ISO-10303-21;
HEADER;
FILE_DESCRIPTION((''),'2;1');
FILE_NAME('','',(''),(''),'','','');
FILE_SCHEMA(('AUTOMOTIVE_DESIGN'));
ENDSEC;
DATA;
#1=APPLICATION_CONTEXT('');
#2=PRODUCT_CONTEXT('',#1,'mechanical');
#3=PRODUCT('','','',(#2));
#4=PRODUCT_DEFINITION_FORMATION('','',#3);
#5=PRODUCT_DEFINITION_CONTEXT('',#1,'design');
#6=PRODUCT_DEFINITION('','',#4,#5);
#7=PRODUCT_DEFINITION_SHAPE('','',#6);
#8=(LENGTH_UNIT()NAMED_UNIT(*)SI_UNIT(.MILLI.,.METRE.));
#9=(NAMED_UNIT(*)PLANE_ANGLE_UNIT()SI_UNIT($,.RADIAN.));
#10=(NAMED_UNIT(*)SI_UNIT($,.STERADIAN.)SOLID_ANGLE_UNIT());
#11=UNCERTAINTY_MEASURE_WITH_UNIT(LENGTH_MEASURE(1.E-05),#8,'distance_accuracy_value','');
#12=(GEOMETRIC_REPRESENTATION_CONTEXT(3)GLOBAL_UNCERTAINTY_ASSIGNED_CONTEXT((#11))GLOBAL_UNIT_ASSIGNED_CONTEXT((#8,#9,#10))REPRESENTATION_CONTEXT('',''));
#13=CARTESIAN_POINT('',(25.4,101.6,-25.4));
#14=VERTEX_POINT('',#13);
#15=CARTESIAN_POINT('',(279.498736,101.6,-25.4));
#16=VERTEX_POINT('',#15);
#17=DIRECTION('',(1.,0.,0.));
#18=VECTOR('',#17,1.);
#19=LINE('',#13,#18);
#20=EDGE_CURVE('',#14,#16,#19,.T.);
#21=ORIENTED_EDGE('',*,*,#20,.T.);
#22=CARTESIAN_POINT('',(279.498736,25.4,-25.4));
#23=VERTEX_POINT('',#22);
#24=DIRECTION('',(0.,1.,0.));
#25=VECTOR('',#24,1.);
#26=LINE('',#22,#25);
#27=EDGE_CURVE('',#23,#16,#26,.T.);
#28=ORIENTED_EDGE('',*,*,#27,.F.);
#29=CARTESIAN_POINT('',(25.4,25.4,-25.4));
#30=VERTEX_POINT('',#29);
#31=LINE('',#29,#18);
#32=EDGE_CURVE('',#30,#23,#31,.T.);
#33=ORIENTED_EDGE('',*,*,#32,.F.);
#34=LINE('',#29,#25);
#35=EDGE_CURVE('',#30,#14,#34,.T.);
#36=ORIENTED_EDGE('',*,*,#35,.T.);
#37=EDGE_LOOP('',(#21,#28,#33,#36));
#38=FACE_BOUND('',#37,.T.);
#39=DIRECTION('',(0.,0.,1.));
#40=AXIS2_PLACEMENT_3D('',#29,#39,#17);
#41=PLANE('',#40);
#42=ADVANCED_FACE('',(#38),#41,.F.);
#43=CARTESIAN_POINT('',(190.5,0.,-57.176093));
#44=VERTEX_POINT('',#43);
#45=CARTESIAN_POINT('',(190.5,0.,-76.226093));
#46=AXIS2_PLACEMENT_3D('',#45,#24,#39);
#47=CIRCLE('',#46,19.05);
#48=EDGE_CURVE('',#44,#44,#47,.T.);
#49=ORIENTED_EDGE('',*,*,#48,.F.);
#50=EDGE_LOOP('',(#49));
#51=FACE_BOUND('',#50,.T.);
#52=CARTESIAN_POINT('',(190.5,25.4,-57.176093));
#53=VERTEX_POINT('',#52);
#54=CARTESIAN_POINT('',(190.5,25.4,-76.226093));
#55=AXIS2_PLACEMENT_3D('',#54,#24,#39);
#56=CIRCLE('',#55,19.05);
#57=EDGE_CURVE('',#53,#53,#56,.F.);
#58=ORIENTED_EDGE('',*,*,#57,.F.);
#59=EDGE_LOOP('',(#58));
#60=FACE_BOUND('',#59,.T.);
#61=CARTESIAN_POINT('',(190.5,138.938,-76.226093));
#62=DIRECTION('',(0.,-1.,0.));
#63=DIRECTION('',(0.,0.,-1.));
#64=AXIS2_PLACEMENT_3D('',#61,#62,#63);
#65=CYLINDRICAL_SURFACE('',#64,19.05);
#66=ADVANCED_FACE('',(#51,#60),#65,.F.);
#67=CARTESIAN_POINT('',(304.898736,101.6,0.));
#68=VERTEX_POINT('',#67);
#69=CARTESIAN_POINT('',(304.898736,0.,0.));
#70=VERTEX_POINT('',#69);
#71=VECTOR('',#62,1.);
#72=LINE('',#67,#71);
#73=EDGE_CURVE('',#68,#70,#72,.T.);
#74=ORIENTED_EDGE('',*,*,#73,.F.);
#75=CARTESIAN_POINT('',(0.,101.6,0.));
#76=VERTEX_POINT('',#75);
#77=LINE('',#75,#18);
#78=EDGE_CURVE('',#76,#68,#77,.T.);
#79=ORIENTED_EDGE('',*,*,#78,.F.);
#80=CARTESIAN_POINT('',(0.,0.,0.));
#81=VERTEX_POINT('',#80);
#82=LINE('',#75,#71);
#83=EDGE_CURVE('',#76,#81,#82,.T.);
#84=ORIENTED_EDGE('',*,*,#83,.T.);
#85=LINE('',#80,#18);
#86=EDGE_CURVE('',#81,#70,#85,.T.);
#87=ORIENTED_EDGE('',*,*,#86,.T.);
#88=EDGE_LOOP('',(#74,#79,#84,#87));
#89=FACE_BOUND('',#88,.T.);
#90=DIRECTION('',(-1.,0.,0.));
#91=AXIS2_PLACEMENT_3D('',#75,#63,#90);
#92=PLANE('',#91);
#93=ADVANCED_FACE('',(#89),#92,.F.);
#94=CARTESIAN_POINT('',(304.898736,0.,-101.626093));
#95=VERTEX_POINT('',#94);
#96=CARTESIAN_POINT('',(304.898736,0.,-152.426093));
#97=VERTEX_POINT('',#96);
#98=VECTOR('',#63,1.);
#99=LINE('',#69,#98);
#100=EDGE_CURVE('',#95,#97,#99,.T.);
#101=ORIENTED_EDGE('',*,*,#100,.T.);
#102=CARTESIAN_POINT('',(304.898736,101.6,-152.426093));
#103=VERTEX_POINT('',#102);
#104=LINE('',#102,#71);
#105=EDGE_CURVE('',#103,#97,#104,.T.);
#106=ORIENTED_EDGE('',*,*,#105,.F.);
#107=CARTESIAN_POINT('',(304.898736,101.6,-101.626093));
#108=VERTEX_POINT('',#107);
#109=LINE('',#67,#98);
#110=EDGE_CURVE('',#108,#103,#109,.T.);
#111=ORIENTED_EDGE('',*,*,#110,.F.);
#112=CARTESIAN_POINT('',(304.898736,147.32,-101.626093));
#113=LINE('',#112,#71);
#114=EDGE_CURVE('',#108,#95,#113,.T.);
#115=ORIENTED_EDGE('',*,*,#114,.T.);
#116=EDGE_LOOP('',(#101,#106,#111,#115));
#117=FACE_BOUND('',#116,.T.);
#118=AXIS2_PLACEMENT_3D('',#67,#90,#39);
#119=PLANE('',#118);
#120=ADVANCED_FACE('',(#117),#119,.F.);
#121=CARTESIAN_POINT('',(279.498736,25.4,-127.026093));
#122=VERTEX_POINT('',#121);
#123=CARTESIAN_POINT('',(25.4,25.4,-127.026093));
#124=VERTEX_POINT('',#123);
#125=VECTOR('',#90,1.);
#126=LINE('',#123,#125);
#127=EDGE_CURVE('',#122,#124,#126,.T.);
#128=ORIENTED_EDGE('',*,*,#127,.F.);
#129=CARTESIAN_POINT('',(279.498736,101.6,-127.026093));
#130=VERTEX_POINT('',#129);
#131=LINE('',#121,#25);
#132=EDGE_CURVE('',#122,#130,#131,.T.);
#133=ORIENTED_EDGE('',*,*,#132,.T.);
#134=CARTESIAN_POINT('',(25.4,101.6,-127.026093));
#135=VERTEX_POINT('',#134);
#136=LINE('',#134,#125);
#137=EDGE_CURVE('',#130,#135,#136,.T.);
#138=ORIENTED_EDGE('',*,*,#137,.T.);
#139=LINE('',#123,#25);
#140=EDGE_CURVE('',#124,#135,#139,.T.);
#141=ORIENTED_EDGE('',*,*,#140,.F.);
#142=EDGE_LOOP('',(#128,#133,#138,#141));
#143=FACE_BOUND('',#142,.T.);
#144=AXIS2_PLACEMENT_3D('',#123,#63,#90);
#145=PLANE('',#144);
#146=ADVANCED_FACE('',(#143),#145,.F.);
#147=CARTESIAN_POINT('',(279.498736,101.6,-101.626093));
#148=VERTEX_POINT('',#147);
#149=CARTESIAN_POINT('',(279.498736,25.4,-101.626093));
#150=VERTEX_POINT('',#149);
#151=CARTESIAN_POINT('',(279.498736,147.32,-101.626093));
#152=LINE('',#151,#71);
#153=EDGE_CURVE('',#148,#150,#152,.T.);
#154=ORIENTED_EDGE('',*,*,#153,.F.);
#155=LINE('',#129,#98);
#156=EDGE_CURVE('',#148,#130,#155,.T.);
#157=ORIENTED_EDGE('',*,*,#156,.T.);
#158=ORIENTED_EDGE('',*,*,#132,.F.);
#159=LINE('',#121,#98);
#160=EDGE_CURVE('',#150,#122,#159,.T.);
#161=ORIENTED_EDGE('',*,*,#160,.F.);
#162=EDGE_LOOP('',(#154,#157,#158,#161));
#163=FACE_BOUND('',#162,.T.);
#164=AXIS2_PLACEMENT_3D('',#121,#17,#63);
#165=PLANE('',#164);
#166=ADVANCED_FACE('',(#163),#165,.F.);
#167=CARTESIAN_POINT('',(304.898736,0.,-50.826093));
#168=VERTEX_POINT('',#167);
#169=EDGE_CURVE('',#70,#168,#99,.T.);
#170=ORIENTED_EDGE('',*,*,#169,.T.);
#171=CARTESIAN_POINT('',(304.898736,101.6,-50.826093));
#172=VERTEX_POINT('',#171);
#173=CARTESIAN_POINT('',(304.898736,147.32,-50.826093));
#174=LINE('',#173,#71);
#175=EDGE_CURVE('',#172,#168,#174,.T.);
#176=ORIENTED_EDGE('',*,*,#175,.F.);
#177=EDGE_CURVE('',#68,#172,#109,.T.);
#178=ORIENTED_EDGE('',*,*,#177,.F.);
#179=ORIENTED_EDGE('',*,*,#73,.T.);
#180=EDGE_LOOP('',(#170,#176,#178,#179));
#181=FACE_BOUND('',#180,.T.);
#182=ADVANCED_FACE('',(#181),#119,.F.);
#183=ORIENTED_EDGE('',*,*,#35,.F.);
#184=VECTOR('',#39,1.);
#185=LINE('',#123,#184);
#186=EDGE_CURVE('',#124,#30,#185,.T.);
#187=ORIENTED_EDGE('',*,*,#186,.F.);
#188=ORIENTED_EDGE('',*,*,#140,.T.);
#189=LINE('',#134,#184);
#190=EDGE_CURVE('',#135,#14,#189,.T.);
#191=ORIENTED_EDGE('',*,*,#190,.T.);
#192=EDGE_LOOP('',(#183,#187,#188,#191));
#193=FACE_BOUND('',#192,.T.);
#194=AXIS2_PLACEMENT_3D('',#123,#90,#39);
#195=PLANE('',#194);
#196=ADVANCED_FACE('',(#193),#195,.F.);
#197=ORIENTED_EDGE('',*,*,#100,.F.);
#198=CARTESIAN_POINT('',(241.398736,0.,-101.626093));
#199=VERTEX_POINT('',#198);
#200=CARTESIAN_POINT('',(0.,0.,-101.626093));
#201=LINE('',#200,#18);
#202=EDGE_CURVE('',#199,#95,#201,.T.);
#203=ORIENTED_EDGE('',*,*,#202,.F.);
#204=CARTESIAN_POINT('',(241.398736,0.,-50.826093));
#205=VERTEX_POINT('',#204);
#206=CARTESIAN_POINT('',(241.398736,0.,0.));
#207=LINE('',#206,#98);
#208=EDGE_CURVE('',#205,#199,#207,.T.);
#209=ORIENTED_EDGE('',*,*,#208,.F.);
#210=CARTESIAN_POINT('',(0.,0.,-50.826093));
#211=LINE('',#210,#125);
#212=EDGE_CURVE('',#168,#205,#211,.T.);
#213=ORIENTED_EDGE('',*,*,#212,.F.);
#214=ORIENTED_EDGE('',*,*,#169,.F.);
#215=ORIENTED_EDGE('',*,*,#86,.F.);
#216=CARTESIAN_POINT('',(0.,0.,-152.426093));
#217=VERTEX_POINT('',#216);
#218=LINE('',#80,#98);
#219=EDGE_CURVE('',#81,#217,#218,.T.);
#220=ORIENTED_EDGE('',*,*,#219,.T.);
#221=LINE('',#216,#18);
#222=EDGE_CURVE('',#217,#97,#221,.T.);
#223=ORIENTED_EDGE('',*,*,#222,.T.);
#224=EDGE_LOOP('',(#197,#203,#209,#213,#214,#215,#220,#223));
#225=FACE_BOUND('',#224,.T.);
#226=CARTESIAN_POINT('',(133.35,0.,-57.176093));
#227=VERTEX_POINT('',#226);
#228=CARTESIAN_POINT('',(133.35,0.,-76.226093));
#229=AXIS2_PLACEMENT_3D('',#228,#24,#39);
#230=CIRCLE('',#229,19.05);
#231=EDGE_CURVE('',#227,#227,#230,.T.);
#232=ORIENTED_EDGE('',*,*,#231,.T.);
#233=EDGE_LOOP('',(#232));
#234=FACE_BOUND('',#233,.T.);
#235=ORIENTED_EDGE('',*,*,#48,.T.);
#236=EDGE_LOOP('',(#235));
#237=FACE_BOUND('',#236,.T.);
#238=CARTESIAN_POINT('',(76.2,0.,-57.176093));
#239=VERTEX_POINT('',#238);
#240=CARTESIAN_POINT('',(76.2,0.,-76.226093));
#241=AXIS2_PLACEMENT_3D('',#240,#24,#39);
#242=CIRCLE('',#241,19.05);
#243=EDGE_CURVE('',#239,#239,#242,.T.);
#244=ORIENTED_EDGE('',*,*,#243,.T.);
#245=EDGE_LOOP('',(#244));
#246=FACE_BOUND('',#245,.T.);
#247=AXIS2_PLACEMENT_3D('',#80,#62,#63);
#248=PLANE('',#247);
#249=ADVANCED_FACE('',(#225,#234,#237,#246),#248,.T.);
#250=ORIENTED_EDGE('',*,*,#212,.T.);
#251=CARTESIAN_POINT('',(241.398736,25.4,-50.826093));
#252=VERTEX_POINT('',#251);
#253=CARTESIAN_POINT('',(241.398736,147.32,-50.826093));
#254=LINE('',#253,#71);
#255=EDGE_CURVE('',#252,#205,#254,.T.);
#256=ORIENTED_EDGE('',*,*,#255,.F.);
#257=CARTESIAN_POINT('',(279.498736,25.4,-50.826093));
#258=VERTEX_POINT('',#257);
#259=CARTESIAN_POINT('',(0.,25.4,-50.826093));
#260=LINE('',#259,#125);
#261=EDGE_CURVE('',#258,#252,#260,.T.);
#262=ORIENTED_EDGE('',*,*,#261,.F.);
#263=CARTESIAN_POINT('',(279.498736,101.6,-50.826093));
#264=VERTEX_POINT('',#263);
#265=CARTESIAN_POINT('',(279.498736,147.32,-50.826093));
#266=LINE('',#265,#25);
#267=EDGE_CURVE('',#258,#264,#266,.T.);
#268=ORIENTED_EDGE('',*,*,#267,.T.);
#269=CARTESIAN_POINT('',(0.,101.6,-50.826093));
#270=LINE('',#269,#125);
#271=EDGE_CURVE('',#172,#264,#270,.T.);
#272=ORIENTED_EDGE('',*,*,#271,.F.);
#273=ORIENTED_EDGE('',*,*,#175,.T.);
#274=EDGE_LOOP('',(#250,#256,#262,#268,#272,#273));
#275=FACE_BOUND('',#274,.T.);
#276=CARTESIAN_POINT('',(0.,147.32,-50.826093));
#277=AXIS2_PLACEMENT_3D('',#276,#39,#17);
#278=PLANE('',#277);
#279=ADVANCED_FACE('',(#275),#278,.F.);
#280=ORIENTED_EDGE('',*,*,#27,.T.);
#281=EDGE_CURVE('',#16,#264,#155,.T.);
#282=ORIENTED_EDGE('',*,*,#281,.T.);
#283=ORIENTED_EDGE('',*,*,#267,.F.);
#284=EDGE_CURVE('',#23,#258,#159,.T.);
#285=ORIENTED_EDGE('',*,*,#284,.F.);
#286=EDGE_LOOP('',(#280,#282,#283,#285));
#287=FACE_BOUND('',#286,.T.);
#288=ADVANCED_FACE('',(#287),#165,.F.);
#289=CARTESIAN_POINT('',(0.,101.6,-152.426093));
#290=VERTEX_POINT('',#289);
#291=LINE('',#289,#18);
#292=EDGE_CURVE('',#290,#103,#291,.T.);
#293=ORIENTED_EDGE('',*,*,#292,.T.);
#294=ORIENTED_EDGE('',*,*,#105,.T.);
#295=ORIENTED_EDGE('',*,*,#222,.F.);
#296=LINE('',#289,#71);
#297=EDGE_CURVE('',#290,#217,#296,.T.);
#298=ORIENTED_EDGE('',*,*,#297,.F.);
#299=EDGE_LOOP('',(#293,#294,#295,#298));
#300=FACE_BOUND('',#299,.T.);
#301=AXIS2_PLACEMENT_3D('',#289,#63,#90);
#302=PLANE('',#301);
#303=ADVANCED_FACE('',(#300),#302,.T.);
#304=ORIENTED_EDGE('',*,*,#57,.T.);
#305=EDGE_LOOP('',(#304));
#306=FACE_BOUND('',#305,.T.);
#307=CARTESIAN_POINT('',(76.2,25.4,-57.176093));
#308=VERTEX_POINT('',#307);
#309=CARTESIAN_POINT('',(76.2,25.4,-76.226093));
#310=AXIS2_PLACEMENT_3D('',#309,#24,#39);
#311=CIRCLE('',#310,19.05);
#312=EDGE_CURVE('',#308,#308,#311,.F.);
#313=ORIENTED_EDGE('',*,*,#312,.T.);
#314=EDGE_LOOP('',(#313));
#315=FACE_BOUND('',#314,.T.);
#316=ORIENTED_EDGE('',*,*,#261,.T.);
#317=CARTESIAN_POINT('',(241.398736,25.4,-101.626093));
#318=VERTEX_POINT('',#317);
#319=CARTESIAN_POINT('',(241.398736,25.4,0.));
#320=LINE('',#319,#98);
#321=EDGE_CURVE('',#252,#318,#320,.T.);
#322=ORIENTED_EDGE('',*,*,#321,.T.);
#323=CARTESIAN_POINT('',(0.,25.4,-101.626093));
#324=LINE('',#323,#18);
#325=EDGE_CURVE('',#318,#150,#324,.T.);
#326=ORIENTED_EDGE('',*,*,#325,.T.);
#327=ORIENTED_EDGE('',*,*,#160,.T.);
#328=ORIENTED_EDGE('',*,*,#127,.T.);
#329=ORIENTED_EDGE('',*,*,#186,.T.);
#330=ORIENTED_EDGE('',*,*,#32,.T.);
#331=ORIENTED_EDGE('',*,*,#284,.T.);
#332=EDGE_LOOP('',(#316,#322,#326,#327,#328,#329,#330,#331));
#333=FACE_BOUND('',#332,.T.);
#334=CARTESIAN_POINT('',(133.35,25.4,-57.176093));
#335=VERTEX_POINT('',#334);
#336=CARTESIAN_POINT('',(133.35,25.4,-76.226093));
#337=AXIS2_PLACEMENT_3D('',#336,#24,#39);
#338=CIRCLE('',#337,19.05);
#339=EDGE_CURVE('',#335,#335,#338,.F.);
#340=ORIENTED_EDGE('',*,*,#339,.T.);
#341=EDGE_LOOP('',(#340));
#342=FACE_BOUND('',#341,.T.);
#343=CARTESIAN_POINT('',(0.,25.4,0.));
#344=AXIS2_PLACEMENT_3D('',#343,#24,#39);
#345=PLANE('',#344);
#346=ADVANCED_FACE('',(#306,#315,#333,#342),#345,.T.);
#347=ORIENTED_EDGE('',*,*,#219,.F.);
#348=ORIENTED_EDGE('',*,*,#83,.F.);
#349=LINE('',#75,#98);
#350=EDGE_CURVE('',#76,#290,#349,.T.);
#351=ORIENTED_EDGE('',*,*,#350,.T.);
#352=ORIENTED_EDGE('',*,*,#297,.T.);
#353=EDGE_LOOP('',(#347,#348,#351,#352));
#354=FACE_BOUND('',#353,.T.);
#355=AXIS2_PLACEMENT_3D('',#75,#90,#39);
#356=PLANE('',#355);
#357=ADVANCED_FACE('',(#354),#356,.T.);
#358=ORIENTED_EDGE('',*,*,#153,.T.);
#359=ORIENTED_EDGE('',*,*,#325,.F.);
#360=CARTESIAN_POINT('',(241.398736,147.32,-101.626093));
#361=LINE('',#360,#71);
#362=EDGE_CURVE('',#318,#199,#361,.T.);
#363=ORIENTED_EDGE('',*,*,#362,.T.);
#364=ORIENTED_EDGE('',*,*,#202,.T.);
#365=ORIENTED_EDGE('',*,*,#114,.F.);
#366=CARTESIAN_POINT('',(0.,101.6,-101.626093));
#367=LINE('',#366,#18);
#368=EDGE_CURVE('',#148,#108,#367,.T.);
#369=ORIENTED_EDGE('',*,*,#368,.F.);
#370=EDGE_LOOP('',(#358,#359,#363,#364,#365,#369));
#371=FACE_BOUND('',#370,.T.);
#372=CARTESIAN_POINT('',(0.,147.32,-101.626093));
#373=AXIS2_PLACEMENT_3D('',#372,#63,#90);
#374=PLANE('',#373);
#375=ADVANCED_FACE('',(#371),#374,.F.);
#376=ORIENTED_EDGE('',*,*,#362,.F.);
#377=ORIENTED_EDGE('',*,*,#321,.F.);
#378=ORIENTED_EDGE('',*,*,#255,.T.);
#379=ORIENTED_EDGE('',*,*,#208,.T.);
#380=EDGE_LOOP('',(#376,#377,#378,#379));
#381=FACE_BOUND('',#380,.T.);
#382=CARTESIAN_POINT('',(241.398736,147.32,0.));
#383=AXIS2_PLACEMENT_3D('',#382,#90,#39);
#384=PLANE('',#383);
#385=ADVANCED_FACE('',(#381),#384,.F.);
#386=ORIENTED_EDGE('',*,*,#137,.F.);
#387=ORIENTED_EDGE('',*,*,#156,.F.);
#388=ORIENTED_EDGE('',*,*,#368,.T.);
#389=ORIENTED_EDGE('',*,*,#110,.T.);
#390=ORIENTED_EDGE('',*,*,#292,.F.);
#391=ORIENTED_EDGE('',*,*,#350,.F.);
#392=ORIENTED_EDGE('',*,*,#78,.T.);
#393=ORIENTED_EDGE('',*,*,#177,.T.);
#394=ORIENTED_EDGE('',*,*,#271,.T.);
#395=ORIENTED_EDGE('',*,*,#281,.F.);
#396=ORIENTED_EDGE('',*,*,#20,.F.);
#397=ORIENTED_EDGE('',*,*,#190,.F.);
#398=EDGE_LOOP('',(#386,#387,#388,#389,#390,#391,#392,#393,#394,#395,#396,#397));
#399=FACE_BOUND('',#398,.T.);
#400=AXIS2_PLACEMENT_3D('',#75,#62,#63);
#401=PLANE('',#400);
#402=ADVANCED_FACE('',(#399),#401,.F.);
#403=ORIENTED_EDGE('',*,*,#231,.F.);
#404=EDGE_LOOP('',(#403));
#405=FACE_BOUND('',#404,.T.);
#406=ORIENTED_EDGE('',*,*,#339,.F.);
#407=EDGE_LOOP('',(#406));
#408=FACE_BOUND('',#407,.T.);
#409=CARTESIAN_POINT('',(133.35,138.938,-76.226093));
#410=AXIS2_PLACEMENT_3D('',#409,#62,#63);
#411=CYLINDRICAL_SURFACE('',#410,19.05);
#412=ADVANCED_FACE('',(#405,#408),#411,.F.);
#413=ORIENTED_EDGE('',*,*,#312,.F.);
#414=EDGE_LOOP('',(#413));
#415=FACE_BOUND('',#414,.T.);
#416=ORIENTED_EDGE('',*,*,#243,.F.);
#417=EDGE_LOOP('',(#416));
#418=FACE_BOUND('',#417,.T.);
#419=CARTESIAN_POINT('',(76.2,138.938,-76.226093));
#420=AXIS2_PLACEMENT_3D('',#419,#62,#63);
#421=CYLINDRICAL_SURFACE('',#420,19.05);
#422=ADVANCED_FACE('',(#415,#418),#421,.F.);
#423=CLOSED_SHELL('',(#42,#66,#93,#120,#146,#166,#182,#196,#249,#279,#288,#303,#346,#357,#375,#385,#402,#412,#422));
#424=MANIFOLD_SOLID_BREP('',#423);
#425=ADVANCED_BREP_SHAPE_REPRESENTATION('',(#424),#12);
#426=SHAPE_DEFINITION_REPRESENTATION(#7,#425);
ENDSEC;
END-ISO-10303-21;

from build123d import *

# Parameters (mm, degrees)
SKETCH3_W           = 304.898736347
SKETCH3_H           = 152.426093062
BOSS_EXTRUDE1_DEPTH = 101.6
SKETCH4_W           = 63.5
SKETCH4_H           = 50.8
CUT_EXTRUDE1_DEPTH  = 147.32
SKETCH5_W           = 254.098736347
SKETCH5_H           = 101.626093062
SKETCH5_R           = 19.05
CUT_EXTRUDE2_DEPTH  = 76.2
CUT_EXTRUDE3_START  = 138.938
SKETCH7_R           = 19.05
CUT_EXTRUDE3_DEPTH  = 138.938


with BuildPart() as part:
    # Sketch3 → Boss-Extrude1 (new body)
    with BuildSketch(Plane(origin=(0, 0, 0), x_dir=(1, 0, 0), z_dir=(0, 1, 0))):
        with Locations((152.449368174, 76.213046531)):
            Rectangle(SKETCH3_W, SKETCH3_H)
    extrude(amount=BOSS_EXTRUDE1_DEPTH)

    # Sketch4 → Cut-Extrude1 (cut)
    with BuildSketch(Plane(origin=(0, 0, 0), x_dir=(1, 0, 0), z_dir=(0, 1, 0))):
        with Locations((273.148736347, 76.226093062)):
            Rectangle(SKETCH4_W, SKETCH4_H)
    extrude(amount=CUT_EXTRUDE1_DEPTH, mode=Mode.SUBTRACT)

    # Sketch5 → Cut-Extrude2 (cut)
    with BuildSketch(Plane(origin=(0, 101.6, 0), x_dir=(1, 0, 0), z_dir=(0, 1, 0))):
        with Locations((152.449368174, 76.213046531)):
            Rectangle(SKETCH5_W, SKETCH5_H)
        with Locations(Location((76.2, 76.226093062, 0), (0, 0, 270))):
            Circle(SKETCH5_R, mode=Mode.SUBTRACT)
        with Locations(Location((133.35, 76.226093062, 0), (0, 0, 270))):
            Circle(SKETCH5_R, mode=Mode.SUBTRACT)
        with Locations(Location((190.5, 76.226093062, 0), (0, 0, 270))):
            Circle(SKETCH5_R, mode=Mode.SUBTRACT)
    extrude(amount=-CUT_EXTRUDE2_DEPTH, mode=Mode.SUBTRACT)

    # Sketch7 → Cut-Extrude3 (cut)
    with BuildSketch(Plane(origin=(0, 0, 0), x_dir=(1, 0, 0), z_dir=(0, 1, 0)).offset(CUT_EXTRUDE3_START)):
        with Locations(Location((76.2, 76.226093062, 0), (0, 0, 270))):
            Circle(SKETCH7_R)
        with Locations(Location((133.35, 76.226093062, 0), (0, 0, 270))):
            Circle(SKETCH7_R)
        with Locations(Location((190.5, 76.226093062, 0), (0, 0, 270))):
            Circle(SKETCH7_R)
    extrude(amount=-CUT_EXTRUDE3_DEPTH, mode=Mode.SUBTRACT)


solid = part.part
